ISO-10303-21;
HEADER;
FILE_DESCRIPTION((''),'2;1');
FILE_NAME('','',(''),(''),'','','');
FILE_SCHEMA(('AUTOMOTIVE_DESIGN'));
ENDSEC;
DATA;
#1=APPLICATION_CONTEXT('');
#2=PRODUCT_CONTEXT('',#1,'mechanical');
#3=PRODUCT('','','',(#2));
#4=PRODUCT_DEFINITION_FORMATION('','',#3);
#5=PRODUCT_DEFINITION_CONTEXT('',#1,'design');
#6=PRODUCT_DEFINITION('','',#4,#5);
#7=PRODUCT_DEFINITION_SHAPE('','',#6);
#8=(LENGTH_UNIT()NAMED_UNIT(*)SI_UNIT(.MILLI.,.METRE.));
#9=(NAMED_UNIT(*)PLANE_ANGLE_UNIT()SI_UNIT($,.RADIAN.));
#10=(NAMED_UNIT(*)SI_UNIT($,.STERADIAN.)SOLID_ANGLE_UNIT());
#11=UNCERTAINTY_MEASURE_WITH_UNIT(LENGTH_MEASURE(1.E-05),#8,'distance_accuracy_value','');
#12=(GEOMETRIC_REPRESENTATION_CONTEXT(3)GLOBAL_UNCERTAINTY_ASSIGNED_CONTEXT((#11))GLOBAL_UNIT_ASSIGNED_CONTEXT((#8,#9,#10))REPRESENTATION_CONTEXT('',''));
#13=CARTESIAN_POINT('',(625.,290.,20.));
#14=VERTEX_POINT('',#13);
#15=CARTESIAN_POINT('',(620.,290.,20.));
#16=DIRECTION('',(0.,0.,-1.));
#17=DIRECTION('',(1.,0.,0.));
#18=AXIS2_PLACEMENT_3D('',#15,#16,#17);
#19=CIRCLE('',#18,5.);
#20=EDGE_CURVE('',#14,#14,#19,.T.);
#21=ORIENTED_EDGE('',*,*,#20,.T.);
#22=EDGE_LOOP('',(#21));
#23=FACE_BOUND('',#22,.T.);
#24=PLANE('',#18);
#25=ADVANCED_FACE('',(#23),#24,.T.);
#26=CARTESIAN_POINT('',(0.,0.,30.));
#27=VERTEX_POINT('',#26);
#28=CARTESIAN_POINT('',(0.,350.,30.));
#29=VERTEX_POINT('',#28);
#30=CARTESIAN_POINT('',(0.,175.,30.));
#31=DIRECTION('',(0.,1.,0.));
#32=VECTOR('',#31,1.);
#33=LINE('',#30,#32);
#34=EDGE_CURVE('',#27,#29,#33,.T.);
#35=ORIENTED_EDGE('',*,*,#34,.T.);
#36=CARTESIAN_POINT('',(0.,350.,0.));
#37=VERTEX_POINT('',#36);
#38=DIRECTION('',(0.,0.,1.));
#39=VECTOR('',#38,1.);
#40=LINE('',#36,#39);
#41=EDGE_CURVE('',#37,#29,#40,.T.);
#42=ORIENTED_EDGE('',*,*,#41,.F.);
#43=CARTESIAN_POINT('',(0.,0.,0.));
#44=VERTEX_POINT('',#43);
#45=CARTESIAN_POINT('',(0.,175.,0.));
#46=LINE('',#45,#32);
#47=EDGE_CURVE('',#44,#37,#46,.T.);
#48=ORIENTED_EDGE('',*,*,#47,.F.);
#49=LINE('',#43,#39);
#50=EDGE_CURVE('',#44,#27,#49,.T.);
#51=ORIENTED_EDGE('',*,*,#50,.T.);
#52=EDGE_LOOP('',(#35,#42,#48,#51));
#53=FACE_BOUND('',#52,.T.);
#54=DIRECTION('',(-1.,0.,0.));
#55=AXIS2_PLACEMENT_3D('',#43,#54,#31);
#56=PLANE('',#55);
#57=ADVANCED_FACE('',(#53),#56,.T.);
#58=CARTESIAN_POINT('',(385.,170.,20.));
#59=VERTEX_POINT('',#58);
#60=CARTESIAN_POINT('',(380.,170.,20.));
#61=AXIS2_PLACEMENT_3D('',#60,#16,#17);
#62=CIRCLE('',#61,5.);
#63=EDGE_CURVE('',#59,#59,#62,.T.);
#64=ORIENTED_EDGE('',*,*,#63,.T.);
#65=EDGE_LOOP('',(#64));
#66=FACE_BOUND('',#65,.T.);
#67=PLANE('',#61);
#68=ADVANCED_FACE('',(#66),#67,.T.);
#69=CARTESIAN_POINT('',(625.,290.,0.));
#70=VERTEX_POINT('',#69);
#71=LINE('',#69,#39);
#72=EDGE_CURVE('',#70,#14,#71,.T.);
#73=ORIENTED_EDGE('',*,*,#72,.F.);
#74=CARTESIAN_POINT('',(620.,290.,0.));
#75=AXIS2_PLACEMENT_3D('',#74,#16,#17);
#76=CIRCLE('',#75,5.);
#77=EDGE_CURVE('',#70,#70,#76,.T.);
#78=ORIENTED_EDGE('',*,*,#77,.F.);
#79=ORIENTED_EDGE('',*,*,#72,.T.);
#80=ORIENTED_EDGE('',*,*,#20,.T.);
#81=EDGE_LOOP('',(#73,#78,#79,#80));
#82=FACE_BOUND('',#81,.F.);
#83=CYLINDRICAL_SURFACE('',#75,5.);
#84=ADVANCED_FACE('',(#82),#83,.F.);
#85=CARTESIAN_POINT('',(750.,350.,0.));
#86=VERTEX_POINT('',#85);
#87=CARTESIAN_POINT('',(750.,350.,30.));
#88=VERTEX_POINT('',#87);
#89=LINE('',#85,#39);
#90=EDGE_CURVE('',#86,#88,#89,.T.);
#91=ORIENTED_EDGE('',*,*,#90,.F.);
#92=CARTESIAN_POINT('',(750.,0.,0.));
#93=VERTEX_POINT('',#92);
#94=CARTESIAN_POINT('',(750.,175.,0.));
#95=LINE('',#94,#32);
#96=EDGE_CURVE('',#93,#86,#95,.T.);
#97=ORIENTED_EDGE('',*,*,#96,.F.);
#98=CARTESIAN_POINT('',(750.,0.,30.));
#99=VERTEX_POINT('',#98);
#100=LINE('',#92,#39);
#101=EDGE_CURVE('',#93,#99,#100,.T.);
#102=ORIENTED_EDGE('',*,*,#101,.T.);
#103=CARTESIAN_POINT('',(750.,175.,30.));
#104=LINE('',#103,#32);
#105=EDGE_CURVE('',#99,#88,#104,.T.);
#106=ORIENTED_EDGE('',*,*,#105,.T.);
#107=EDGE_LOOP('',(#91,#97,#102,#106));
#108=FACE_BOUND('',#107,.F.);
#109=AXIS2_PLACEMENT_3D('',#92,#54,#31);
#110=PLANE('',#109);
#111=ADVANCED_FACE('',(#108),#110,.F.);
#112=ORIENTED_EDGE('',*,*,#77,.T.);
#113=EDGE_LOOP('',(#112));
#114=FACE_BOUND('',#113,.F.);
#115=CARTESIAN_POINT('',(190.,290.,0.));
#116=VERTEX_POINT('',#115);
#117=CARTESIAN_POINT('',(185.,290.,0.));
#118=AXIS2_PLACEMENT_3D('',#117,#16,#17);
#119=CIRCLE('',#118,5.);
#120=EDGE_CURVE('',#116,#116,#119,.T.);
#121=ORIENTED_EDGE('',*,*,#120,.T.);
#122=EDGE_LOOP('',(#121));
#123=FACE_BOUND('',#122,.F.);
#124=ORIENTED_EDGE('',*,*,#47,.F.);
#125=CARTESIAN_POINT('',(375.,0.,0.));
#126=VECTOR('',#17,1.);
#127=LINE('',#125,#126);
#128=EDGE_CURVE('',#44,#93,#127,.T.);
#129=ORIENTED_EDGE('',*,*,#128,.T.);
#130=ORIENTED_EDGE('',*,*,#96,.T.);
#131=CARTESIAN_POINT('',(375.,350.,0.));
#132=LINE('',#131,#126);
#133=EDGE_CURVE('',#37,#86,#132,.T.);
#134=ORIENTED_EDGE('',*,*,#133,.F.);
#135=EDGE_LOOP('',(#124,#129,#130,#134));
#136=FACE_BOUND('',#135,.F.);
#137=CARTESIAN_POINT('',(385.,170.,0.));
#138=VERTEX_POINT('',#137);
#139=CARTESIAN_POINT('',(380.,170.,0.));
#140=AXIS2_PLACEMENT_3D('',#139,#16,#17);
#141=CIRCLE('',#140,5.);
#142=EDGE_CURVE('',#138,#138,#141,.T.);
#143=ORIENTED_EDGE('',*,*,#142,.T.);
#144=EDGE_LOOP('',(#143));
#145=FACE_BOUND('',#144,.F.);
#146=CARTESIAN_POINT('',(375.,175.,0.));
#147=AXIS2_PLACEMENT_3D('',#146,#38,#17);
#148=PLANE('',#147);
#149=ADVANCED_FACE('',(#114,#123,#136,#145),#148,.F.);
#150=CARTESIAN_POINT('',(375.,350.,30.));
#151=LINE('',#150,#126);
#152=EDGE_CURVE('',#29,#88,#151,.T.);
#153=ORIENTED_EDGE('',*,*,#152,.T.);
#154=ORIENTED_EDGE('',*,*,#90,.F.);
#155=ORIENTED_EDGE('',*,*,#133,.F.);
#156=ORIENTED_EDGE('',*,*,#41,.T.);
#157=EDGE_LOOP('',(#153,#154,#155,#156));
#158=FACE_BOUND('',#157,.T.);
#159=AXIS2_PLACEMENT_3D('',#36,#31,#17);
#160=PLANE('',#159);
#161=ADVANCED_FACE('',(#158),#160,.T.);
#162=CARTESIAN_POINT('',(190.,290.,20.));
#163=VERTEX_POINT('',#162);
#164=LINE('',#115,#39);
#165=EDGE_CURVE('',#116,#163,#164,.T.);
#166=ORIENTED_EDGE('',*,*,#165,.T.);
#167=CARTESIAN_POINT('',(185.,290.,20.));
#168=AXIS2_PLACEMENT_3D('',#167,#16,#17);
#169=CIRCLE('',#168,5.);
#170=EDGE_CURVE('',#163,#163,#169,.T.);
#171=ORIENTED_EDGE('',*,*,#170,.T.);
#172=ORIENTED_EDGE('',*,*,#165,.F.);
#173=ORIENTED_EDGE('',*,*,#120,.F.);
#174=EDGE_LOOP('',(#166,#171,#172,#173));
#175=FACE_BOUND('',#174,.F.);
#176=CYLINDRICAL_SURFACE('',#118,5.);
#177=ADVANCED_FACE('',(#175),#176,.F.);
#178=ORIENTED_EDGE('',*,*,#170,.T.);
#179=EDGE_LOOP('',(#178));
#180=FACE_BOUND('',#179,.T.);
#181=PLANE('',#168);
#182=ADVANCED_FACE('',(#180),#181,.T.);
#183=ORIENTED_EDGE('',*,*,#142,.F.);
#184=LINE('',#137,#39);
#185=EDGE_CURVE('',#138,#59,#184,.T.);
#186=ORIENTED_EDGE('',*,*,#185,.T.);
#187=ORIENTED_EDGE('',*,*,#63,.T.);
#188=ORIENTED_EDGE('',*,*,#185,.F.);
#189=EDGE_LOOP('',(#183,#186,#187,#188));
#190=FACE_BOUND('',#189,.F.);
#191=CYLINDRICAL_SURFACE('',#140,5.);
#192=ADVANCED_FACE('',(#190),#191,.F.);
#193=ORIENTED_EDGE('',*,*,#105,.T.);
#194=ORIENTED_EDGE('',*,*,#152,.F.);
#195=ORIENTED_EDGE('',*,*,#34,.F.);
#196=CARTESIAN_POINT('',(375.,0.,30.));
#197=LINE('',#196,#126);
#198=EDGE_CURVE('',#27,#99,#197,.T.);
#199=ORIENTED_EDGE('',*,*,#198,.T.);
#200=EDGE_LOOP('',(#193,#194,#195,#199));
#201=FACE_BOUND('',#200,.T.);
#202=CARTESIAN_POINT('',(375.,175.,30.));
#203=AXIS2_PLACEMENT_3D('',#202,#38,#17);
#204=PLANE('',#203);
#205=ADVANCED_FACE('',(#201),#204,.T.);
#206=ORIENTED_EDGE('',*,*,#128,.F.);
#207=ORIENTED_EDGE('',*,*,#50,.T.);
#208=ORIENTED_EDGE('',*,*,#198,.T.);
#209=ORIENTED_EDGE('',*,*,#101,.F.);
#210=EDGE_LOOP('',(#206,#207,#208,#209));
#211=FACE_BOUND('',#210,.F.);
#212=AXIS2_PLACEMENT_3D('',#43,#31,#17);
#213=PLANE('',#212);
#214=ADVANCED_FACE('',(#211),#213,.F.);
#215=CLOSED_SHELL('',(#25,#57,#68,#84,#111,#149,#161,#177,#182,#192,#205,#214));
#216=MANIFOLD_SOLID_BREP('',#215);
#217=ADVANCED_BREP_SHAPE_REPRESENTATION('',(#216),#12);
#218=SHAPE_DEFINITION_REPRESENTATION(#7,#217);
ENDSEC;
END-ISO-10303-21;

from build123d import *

# Parameters (mm, degrees)
F0_W     = 750
F0_H     = 350
F1_DEPTH = 30
F2_R     = 5
F3_DEPTH = 20
F4_R     = 5
F5_DEPTH = 20
F6_R     = 5
F7_DEPTH = 20


with BuildPart() as f1:
    # F0 (on Top) → F1 (new body)
    with BuildSketch(Plane.XY):
        with Locations((375, 175)):
            Rectangle(F0_W, F0_H)
    extrude(amount=F1_DEPTH)

    # F2 (on face) → F3 (cut)
    with BuildSketch(Plane(origin=(0, 0, 0), x_dir=(1, 0, 0), z_dir=(0, 0, -1))):
        with Locations((380, -170)):
            Circle(F2_R)
    extrude(amount=-F3_DEPTH, mode=Mode.SUBTRACT)

    # F4 (on face) → F5 (cut)
    with BuildSketch(Plane(origin=(0, 0, 0), x_dir=(1, 0, 0), z_dir=(0, 0, -1))):
        with Locations((620, -290)):
            Circle(F4_R)
    extrude(amount=-F5_DEPTH, mode=Mode.SUBTRACT)

    # F6 (on face) → F7 (cut)
    with BuildSketch(Plane(origin=(0, 0, 0), x_dir=(1, 0, 0), z_dir=(0, 0, -1))):
        with Locations((185, -290)):
            Circle(F6_R)
    extrude(amount=-F7_DEPTH, mode=Mode.SUBTRACT)


solid = f1.part
